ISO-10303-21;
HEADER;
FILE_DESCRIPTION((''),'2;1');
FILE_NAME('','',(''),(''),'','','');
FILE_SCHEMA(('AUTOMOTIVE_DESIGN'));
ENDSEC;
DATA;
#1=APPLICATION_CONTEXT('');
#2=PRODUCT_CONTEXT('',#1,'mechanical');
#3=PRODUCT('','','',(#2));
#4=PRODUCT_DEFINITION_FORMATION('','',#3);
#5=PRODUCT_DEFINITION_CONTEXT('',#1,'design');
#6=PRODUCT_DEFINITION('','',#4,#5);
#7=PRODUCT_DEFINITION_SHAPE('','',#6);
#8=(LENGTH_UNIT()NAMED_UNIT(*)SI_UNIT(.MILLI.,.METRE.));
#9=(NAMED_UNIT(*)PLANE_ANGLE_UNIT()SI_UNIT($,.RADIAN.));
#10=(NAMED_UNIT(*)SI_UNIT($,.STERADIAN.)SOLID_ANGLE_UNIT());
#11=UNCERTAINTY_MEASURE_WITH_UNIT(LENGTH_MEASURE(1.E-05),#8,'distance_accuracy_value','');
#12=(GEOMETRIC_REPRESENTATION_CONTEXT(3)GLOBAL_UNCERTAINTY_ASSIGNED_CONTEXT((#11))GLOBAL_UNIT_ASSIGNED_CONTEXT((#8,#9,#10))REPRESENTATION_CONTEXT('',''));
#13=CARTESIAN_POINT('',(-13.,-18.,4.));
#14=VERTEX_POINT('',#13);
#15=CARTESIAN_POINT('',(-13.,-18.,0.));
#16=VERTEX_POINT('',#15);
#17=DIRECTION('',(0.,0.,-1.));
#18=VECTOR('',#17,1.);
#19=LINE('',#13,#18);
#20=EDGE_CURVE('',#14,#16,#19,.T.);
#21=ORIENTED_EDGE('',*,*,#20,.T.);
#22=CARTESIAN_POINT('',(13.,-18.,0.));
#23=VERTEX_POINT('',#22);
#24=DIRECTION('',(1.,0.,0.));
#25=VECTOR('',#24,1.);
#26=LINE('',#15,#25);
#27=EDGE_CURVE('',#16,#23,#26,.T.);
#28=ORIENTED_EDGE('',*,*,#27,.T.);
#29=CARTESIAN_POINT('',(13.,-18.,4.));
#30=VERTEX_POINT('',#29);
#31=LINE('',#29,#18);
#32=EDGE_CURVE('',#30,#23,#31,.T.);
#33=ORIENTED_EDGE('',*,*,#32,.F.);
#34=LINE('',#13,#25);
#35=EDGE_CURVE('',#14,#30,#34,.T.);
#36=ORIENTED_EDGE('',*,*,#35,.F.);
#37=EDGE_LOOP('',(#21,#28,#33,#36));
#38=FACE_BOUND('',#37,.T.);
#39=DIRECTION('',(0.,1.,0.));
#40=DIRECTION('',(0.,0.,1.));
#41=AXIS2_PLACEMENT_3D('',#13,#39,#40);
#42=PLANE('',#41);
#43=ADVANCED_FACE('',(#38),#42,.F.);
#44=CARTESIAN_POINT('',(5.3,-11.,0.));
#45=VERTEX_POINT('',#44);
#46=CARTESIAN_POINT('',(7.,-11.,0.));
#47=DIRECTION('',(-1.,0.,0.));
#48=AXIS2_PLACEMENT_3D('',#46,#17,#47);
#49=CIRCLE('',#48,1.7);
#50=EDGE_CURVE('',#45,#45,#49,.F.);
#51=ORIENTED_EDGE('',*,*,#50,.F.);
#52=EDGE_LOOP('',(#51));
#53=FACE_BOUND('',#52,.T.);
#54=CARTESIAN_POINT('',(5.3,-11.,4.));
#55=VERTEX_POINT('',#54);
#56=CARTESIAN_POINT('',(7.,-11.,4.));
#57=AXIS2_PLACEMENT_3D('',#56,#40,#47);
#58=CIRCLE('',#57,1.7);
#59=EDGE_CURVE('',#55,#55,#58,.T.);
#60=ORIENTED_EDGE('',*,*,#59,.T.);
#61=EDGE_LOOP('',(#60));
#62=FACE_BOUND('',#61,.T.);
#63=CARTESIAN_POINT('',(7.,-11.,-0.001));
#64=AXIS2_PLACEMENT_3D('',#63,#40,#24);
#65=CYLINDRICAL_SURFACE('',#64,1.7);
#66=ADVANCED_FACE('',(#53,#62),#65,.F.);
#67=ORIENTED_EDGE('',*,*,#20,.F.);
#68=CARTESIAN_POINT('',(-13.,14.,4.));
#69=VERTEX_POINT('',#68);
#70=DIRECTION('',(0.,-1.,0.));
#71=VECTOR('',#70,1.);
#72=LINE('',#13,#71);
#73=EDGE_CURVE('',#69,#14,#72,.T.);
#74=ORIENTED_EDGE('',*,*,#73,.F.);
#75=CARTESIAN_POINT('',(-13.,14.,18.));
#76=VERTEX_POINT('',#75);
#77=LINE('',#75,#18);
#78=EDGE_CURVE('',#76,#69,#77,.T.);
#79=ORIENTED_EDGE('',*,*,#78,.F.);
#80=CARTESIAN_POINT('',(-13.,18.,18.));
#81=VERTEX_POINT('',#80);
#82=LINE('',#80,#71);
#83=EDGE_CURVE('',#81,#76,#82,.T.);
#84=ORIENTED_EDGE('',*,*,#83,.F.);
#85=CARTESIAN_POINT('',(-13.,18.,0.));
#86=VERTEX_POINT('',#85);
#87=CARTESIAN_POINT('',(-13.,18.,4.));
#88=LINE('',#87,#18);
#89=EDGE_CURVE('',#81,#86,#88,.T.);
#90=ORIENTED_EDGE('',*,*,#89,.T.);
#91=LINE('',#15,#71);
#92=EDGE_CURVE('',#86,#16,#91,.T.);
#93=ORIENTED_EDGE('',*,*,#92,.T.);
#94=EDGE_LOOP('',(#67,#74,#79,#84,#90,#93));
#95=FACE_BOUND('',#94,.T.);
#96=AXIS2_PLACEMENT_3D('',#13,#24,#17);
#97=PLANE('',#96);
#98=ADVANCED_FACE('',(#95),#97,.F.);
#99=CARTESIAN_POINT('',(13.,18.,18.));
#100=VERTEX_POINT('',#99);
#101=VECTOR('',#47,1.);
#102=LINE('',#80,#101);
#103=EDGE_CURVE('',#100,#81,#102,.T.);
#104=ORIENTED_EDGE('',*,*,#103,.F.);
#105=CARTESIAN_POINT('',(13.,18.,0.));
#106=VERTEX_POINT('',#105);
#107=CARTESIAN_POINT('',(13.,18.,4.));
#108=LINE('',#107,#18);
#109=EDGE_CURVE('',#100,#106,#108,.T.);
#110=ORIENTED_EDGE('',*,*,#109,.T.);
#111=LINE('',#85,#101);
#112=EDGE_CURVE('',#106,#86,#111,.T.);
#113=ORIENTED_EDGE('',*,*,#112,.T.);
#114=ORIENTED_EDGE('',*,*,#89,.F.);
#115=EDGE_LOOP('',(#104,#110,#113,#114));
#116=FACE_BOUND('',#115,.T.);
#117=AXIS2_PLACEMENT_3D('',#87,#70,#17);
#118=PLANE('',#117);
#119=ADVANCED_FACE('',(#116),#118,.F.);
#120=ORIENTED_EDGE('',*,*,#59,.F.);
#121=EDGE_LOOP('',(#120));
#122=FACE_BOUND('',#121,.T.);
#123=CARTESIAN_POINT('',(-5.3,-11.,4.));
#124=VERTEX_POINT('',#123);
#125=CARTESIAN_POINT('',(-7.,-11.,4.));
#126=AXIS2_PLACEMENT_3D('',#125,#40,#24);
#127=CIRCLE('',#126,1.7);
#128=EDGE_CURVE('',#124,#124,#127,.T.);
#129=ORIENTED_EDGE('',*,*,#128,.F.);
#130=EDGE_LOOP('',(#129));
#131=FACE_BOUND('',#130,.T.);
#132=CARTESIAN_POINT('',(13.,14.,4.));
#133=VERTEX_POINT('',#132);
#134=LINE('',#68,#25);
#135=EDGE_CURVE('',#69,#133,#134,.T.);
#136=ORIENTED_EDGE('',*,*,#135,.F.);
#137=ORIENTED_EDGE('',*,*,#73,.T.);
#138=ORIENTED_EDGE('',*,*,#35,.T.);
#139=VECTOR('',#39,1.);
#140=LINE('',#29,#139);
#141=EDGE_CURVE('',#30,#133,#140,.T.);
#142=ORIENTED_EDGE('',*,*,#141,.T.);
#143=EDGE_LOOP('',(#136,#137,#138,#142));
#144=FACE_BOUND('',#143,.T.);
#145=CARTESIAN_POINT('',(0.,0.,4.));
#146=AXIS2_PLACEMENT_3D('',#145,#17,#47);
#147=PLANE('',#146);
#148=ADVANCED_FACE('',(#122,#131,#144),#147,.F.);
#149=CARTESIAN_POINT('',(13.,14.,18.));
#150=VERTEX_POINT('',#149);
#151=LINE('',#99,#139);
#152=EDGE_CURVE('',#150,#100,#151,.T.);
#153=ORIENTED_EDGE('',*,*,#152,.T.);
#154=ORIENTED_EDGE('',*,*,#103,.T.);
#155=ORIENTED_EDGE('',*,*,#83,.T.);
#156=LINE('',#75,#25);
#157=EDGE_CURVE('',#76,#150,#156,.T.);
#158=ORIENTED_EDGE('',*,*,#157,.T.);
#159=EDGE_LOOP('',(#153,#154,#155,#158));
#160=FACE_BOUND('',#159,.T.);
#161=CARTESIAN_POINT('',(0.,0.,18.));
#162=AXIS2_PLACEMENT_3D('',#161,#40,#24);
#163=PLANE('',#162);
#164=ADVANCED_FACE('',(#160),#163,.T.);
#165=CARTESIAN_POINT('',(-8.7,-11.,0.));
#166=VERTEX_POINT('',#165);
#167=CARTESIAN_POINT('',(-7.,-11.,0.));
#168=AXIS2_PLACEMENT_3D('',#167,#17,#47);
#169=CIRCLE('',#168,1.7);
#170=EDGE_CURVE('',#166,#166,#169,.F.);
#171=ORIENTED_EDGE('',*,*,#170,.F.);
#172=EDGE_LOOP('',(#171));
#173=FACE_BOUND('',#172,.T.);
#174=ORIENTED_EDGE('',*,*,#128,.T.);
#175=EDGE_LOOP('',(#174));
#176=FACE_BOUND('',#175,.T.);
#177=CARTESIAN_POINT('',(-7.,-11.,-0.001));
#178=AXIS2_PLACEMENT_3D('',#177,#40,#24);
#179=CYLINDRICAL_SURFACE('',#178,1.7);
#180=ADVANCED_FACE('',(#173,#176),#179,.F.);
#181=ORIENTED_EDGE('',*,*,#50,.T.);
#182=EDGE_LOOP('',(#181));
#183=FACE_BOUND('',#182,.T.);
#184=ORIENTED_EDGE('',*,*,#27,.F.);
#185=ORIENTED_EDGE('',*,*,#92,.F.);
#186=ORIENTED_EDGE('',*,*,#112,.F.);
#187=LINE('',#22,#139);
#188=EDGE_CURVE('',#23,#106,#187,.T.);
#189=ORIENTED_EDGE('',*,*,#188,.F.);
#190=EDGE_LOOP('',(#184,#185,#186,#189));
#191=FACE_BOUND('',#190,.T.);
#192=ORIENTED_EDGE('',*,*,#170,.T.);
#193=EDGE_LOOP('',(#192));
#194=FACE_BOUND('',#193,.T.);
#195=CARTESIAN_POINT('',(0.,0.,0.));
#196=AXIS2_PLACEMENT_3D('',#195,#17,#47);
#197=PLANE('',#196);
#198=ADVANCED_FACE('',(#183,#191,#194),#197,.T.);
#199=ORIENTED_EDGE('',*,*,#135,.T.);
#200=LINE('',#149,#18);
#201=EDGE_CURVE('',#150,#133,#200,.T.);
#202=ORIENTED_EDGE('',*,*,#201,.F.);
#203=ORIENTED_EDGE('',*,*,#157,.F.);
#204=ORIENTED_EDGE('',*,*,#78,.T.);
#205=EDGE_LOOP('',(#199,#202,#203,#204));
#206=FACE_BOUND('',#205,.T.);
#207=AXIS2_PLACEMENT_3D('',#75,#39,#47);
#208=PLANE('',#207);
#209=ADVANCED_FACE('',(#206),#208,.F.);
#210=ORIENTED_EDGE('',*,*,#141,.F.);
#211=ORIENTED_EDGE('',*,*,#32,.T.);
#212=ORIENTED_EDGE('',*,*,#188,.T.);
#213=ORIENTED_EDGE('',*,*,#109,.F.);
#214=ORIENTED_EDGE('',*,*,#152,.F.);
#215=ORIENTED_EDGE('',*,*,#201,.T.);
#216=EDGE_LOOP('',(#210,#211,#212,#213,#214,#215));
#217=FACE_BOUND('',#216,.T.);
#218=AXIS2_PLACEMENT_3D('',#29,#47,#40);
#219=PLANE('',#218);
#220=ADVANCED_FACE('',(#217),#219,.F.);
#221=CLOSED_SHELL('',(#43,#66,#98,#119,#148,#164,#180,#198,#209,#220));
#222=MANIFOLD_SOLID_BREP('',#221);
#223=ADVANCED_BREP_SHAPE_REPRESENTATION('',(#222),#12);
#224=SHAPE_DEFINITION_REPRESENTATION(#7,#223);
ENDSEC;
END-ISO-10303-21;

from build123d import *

# Parameters (mm, degrees)
SKETCH_3_W          = 26
SKETCH_3_H          = 36
EXTRUDE_1_DEPTH     = 4
CUT_EXTRUDE_1_REACH = 24.561
SKETCH_4_R          = 1.7
SKETCH_5_W          = 26
SKETCH_5_H          = 4
EXTRUDE_2_DEPTH     = 14


with BuildPart() as part:
    # Эскиз3 → Бобышка-Вытянуть1 (new body)
    with BuildSketch(Plane.XY):
        Rectangle(SKETCH_3_W, SKETCH_3_H)
    extrude(amount=EXTRUDE_1_DEPTH)

    # Эскиз4 → Вырез-Вытянуть1 (cut, up to next)
    with BuildSketch(Plane.XY.offset(4), mode=Mode.PRIVATE) as cut_extrude_1_sk1:
        with Locations((-7, -11)):
            Circle(SKETCH_4_R)
    cut_extrude_1_tool1 = extrude(cut_extrude_1_sk1.sketch, amount=-CUT_EXTRUDE_1_REACH, mode=Mode.PRIVATE) & part.part
    # Эскиз4 → Вырез-Вытянуть1 (cut, up to next)
    with BuildSketch(Plane.XY.offset(4), mode=Mode.PRIVATE) as cut_extrude_1_sk2:
        with Locations(Location((7, -11, 0), (0, 0, 180))):
            Circle(SKETCH_4_R)
    cut_extrude_1_tool2 = extrude(cut_extrude_1_sk2.sketch, amount=-CUT_EXTRUDE_1_REACH, mode=Mode.PRIVATE) & part.part
    add(cut_extrude_1_tool1.solids().sort_by_distance((-7, -11, 4))[0], mode=Mode.SUBTRACT)
    add(cut_extrude_1_tool2.solids().sort_by_distance((7, -11, 4))[0], mode=Mode.SUBTRACT)

    # Эскиз5 → Бобышка-Вытянуть2 (add)
    with BuildSketch(Plane.XY.offset(4)):
        with Locations((0, 16)):
            Rectangle(SKETCH_5_W, SKETCH_5_H)
    extrude(amount=EXTRUDE_2_DEPTH)


solid = part.part
